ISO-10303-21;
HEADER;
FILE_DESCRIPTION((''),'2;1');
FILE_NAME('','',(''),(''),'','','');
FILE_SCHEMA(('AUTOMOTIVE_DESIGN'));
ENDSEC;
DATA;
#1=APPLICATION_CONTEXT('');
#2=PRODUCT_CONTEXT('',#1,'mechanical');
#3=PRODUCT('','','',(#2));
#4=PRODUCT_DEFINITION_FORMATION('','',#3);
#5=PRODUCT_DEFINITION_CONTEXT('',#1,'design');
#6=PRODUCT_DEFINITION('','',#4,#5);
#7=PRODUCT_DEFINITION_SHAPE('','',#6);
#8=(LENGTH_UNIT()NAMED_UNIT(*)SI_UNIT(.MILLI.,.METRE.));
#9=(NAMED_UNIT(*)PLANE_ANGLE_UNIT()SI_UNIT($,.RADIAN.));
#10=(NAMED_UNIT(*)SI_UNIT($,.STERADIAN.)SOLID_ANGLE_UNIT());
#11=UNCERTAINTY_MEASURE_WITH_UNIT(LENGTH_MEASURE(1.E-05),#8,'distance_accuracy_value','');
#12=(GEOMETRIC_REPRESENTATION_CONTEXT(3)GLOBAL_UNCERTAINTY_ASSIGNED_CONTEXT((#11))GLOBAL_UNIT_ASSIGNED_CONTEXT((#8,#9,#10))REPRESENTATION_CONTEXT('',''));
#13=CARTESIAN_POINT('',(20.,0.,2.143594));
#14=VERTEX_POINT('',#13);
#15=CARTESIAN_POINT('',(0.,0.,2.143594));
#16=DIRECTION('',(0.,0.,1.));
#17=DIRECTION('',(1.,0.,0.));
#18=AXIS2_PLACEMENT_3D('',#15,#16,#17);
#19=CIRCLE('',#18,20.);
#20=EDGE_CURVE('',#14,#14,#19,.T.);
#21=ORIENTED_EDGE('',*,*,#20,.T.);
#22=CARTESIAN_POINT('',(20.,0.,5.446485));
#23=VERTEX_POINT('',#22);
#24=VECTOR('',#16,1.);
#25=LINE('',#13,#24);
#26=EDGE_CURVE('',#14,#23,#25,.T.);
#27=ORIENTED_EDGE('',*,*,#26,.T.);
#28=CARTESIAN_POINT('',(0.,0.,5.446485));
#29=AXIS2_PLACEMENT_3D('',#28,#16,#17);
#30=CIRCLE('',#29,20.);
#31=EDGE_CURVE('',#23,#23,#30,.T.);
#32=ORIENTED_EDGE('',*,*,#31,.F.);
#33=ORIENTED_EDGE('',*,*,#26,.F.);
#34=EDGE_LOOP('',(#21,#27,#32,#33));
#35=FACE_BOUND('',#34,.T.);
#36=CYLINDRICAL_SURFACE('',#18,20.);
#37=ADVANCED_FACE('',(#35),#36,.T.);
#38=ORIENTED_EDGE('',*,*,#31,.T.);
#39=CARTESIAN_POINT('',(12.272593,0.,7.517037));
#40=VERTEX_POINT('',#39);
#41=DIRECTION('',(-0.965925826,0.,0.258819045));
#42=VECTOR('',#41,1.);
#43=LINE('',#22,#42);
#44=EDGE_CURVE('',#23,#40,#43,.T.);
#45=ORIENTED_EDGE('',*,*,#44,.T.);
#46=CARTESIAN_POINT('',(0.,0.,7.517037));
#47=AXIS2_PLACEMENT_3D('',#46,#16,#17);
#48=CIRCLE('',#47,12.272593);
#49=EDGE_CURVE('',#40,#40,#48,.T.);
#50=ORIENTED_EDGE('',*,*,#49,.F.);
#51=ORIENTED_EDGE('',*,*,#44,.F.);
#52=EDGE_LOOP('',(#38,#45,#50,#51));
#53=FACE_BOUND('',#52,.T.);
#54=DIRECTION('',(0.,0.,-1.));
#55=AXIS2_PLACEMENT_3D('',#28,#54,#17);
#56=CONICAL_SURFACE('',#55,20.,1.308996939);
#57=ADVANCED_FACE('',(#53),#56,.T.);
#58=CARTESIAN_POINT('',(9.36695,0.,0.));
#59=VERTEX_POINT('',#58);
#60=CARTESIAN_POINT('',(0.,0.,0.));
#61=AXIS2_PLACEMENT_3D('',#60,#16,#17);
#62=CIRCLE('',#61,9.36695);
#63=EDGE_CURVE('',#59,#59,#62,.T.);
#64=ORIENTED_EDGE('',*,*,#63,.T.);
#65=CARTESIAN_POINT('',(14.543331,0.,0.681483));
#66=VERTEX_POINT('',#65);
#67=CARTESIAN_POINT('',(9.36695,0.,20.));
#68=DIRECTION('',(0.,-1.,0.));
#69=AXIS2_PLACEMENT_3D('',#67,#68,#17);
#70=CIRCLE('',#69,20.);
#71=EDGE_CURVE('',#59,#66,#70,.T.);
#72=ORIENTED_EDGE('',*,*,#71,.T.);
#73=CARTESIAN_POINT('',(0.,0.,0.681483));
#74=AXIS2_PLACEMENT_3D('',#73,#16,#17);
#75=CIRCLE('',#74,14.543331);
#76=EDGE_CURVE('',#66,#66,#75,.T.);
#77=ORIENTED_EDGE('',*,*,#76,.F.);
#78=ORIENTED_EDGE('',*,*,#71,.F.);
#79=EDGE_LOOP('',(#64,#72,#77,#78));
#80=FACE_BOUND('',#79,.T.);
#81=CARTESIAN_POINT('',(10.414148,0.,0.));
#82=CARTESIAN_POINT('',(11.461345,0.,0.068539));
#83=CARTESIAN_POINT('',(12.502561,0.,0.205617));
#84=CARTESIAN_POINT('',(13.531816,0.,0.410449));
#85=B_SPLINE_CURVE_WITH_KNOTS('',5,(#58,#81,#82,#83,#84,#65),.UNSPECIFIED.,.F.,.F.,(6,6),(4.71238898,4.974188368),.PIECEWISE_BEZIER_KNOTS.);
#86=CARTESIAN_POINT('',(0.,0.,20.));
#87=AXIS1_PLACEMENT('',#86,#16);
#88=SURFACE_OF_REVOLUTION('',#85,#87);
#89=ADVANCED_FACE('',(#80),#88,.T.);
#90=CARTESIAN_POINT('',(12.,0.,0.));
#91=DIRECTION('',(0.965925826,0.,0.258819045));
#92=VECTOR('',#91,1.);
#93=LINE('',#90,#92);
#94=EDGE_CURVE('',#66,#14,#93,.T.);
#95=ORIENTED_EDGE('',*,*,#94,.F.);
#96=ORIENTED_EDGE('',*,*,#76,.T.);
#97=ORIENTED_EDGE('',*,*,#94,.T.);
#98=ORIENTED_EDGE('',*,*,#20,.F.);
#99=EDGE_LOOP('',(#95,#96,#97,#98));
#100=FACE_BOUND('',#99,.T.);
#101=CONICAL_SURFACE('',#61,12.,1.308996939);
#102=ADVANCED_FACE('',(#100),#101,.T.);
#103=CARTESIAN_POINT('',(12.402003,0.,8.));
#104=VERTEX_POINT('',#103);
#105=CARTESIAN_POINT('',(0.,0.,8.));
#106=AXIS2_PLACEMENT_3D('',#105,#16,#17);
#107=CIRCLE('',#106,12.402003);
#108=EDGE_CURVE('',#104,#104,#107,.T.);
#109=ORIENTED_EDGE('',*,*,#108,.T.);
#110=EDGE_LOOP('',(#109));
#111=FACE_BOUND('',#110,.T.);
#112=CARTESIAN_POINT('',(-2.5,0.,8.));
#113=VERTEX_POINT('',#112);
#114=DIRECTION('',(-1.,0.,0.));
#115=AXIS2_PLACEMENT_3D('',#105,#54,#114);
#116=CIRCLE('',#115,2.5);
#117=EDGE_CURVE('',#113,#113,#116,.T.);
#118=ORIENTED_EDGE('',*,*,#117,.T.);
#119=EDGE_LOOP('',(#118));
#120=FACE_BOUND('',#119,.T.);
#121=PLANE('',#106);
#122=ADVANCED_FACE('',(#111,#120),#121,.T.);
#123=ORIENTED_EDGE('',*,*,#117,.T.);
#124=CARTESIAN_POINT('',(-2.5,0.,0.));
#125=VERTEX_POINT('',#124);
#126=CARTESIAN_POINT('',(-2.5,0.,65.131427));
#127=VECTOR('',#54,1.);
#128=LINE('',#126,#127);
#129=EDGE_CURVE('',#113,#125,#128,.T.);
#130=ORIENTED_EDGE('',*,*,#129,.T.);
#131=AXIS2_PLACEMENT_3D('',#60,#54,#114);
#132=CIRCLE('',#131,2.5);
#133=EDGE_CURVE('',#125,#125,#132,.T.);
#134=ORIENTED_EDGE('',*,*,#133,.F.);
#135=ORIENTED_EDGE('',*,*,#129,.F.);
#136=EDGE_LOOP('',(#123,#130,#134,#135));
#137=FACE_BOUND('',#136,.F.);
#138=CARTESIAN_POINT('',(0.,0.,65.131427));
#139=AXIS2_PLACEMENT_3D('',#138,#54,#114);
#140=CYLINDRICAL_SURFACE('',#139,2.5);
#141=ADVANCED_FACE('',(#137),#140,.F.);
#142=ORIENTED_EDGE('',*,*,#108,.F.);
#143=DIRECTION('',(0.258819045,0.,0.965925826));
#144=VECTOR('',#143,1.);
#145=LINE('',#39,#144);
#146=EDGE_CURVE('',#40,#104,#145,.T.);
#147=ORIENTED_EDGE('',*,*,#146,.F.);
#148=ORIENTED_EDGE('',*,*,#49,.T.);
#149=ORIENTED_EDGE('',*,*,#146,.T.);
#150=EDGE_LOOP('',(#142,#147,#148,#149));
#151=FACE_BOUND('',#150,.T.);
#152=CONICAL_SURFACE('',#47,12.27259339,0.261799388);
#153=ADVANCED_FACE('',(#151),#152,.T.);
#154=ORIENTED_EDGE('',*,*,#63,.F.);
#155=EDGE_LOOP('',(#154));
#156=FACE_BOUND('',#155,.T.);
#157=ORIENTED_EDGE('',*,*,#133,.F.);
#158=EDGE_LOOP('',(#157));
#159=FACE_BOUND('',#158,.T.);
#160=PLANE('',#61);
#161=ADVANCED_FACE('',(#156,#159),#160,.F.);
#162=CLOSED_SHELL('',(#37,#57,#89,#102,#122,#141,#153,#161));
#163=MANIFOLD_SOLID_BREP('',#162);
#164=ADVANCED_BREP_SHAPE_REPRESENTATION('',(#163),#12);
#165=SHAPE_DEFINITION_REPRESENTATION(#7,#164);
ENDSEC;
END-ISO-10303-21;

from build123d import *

# Parameters (mm, degrees)
F0_W = 5
F0_H = 1.6
F3_D = 5
F4_R = 20


with BuildPart() as f1:
    # F0 (on Front) → F1 (revolve)
    with BuildSketch(Plane.XZ):
        Polygon((0, 8), (0, 1.6), (5, 1.6), (10, 1.6), (10, 0), (12, 0), (20, 2.1435935394), (20, 5.446484726), (12.2725933897, 7.5170370869), (10.4701512597, 8), align=None)
        with Locations((2.5, 0.8)):
            Rectangle(F0_W, F0_H)
        Polygon((12.4020029122, 8), (10.4701512597, 8), (12.2725933897, 7.5170370869), align=None)
        with Locations((7.5, 0.8)):
            Rectangle(F0_W, F0_H)
    revolve(axis=Axis((0, 0, 4), (0, 0, 1)))

    # F3 (through all)
    with Locations(Plane.XY.offset(8)):
        with Locations((0, 0)):
            Hole(F3_D / 2)

    # F4
    f4_edges = [f1.edges().sort_by_distance(p)[0] for p in [
        (-12, 0, 0),
    ]]
    fillet(f4_edges, radius=F4_R)


solid = f1.part
